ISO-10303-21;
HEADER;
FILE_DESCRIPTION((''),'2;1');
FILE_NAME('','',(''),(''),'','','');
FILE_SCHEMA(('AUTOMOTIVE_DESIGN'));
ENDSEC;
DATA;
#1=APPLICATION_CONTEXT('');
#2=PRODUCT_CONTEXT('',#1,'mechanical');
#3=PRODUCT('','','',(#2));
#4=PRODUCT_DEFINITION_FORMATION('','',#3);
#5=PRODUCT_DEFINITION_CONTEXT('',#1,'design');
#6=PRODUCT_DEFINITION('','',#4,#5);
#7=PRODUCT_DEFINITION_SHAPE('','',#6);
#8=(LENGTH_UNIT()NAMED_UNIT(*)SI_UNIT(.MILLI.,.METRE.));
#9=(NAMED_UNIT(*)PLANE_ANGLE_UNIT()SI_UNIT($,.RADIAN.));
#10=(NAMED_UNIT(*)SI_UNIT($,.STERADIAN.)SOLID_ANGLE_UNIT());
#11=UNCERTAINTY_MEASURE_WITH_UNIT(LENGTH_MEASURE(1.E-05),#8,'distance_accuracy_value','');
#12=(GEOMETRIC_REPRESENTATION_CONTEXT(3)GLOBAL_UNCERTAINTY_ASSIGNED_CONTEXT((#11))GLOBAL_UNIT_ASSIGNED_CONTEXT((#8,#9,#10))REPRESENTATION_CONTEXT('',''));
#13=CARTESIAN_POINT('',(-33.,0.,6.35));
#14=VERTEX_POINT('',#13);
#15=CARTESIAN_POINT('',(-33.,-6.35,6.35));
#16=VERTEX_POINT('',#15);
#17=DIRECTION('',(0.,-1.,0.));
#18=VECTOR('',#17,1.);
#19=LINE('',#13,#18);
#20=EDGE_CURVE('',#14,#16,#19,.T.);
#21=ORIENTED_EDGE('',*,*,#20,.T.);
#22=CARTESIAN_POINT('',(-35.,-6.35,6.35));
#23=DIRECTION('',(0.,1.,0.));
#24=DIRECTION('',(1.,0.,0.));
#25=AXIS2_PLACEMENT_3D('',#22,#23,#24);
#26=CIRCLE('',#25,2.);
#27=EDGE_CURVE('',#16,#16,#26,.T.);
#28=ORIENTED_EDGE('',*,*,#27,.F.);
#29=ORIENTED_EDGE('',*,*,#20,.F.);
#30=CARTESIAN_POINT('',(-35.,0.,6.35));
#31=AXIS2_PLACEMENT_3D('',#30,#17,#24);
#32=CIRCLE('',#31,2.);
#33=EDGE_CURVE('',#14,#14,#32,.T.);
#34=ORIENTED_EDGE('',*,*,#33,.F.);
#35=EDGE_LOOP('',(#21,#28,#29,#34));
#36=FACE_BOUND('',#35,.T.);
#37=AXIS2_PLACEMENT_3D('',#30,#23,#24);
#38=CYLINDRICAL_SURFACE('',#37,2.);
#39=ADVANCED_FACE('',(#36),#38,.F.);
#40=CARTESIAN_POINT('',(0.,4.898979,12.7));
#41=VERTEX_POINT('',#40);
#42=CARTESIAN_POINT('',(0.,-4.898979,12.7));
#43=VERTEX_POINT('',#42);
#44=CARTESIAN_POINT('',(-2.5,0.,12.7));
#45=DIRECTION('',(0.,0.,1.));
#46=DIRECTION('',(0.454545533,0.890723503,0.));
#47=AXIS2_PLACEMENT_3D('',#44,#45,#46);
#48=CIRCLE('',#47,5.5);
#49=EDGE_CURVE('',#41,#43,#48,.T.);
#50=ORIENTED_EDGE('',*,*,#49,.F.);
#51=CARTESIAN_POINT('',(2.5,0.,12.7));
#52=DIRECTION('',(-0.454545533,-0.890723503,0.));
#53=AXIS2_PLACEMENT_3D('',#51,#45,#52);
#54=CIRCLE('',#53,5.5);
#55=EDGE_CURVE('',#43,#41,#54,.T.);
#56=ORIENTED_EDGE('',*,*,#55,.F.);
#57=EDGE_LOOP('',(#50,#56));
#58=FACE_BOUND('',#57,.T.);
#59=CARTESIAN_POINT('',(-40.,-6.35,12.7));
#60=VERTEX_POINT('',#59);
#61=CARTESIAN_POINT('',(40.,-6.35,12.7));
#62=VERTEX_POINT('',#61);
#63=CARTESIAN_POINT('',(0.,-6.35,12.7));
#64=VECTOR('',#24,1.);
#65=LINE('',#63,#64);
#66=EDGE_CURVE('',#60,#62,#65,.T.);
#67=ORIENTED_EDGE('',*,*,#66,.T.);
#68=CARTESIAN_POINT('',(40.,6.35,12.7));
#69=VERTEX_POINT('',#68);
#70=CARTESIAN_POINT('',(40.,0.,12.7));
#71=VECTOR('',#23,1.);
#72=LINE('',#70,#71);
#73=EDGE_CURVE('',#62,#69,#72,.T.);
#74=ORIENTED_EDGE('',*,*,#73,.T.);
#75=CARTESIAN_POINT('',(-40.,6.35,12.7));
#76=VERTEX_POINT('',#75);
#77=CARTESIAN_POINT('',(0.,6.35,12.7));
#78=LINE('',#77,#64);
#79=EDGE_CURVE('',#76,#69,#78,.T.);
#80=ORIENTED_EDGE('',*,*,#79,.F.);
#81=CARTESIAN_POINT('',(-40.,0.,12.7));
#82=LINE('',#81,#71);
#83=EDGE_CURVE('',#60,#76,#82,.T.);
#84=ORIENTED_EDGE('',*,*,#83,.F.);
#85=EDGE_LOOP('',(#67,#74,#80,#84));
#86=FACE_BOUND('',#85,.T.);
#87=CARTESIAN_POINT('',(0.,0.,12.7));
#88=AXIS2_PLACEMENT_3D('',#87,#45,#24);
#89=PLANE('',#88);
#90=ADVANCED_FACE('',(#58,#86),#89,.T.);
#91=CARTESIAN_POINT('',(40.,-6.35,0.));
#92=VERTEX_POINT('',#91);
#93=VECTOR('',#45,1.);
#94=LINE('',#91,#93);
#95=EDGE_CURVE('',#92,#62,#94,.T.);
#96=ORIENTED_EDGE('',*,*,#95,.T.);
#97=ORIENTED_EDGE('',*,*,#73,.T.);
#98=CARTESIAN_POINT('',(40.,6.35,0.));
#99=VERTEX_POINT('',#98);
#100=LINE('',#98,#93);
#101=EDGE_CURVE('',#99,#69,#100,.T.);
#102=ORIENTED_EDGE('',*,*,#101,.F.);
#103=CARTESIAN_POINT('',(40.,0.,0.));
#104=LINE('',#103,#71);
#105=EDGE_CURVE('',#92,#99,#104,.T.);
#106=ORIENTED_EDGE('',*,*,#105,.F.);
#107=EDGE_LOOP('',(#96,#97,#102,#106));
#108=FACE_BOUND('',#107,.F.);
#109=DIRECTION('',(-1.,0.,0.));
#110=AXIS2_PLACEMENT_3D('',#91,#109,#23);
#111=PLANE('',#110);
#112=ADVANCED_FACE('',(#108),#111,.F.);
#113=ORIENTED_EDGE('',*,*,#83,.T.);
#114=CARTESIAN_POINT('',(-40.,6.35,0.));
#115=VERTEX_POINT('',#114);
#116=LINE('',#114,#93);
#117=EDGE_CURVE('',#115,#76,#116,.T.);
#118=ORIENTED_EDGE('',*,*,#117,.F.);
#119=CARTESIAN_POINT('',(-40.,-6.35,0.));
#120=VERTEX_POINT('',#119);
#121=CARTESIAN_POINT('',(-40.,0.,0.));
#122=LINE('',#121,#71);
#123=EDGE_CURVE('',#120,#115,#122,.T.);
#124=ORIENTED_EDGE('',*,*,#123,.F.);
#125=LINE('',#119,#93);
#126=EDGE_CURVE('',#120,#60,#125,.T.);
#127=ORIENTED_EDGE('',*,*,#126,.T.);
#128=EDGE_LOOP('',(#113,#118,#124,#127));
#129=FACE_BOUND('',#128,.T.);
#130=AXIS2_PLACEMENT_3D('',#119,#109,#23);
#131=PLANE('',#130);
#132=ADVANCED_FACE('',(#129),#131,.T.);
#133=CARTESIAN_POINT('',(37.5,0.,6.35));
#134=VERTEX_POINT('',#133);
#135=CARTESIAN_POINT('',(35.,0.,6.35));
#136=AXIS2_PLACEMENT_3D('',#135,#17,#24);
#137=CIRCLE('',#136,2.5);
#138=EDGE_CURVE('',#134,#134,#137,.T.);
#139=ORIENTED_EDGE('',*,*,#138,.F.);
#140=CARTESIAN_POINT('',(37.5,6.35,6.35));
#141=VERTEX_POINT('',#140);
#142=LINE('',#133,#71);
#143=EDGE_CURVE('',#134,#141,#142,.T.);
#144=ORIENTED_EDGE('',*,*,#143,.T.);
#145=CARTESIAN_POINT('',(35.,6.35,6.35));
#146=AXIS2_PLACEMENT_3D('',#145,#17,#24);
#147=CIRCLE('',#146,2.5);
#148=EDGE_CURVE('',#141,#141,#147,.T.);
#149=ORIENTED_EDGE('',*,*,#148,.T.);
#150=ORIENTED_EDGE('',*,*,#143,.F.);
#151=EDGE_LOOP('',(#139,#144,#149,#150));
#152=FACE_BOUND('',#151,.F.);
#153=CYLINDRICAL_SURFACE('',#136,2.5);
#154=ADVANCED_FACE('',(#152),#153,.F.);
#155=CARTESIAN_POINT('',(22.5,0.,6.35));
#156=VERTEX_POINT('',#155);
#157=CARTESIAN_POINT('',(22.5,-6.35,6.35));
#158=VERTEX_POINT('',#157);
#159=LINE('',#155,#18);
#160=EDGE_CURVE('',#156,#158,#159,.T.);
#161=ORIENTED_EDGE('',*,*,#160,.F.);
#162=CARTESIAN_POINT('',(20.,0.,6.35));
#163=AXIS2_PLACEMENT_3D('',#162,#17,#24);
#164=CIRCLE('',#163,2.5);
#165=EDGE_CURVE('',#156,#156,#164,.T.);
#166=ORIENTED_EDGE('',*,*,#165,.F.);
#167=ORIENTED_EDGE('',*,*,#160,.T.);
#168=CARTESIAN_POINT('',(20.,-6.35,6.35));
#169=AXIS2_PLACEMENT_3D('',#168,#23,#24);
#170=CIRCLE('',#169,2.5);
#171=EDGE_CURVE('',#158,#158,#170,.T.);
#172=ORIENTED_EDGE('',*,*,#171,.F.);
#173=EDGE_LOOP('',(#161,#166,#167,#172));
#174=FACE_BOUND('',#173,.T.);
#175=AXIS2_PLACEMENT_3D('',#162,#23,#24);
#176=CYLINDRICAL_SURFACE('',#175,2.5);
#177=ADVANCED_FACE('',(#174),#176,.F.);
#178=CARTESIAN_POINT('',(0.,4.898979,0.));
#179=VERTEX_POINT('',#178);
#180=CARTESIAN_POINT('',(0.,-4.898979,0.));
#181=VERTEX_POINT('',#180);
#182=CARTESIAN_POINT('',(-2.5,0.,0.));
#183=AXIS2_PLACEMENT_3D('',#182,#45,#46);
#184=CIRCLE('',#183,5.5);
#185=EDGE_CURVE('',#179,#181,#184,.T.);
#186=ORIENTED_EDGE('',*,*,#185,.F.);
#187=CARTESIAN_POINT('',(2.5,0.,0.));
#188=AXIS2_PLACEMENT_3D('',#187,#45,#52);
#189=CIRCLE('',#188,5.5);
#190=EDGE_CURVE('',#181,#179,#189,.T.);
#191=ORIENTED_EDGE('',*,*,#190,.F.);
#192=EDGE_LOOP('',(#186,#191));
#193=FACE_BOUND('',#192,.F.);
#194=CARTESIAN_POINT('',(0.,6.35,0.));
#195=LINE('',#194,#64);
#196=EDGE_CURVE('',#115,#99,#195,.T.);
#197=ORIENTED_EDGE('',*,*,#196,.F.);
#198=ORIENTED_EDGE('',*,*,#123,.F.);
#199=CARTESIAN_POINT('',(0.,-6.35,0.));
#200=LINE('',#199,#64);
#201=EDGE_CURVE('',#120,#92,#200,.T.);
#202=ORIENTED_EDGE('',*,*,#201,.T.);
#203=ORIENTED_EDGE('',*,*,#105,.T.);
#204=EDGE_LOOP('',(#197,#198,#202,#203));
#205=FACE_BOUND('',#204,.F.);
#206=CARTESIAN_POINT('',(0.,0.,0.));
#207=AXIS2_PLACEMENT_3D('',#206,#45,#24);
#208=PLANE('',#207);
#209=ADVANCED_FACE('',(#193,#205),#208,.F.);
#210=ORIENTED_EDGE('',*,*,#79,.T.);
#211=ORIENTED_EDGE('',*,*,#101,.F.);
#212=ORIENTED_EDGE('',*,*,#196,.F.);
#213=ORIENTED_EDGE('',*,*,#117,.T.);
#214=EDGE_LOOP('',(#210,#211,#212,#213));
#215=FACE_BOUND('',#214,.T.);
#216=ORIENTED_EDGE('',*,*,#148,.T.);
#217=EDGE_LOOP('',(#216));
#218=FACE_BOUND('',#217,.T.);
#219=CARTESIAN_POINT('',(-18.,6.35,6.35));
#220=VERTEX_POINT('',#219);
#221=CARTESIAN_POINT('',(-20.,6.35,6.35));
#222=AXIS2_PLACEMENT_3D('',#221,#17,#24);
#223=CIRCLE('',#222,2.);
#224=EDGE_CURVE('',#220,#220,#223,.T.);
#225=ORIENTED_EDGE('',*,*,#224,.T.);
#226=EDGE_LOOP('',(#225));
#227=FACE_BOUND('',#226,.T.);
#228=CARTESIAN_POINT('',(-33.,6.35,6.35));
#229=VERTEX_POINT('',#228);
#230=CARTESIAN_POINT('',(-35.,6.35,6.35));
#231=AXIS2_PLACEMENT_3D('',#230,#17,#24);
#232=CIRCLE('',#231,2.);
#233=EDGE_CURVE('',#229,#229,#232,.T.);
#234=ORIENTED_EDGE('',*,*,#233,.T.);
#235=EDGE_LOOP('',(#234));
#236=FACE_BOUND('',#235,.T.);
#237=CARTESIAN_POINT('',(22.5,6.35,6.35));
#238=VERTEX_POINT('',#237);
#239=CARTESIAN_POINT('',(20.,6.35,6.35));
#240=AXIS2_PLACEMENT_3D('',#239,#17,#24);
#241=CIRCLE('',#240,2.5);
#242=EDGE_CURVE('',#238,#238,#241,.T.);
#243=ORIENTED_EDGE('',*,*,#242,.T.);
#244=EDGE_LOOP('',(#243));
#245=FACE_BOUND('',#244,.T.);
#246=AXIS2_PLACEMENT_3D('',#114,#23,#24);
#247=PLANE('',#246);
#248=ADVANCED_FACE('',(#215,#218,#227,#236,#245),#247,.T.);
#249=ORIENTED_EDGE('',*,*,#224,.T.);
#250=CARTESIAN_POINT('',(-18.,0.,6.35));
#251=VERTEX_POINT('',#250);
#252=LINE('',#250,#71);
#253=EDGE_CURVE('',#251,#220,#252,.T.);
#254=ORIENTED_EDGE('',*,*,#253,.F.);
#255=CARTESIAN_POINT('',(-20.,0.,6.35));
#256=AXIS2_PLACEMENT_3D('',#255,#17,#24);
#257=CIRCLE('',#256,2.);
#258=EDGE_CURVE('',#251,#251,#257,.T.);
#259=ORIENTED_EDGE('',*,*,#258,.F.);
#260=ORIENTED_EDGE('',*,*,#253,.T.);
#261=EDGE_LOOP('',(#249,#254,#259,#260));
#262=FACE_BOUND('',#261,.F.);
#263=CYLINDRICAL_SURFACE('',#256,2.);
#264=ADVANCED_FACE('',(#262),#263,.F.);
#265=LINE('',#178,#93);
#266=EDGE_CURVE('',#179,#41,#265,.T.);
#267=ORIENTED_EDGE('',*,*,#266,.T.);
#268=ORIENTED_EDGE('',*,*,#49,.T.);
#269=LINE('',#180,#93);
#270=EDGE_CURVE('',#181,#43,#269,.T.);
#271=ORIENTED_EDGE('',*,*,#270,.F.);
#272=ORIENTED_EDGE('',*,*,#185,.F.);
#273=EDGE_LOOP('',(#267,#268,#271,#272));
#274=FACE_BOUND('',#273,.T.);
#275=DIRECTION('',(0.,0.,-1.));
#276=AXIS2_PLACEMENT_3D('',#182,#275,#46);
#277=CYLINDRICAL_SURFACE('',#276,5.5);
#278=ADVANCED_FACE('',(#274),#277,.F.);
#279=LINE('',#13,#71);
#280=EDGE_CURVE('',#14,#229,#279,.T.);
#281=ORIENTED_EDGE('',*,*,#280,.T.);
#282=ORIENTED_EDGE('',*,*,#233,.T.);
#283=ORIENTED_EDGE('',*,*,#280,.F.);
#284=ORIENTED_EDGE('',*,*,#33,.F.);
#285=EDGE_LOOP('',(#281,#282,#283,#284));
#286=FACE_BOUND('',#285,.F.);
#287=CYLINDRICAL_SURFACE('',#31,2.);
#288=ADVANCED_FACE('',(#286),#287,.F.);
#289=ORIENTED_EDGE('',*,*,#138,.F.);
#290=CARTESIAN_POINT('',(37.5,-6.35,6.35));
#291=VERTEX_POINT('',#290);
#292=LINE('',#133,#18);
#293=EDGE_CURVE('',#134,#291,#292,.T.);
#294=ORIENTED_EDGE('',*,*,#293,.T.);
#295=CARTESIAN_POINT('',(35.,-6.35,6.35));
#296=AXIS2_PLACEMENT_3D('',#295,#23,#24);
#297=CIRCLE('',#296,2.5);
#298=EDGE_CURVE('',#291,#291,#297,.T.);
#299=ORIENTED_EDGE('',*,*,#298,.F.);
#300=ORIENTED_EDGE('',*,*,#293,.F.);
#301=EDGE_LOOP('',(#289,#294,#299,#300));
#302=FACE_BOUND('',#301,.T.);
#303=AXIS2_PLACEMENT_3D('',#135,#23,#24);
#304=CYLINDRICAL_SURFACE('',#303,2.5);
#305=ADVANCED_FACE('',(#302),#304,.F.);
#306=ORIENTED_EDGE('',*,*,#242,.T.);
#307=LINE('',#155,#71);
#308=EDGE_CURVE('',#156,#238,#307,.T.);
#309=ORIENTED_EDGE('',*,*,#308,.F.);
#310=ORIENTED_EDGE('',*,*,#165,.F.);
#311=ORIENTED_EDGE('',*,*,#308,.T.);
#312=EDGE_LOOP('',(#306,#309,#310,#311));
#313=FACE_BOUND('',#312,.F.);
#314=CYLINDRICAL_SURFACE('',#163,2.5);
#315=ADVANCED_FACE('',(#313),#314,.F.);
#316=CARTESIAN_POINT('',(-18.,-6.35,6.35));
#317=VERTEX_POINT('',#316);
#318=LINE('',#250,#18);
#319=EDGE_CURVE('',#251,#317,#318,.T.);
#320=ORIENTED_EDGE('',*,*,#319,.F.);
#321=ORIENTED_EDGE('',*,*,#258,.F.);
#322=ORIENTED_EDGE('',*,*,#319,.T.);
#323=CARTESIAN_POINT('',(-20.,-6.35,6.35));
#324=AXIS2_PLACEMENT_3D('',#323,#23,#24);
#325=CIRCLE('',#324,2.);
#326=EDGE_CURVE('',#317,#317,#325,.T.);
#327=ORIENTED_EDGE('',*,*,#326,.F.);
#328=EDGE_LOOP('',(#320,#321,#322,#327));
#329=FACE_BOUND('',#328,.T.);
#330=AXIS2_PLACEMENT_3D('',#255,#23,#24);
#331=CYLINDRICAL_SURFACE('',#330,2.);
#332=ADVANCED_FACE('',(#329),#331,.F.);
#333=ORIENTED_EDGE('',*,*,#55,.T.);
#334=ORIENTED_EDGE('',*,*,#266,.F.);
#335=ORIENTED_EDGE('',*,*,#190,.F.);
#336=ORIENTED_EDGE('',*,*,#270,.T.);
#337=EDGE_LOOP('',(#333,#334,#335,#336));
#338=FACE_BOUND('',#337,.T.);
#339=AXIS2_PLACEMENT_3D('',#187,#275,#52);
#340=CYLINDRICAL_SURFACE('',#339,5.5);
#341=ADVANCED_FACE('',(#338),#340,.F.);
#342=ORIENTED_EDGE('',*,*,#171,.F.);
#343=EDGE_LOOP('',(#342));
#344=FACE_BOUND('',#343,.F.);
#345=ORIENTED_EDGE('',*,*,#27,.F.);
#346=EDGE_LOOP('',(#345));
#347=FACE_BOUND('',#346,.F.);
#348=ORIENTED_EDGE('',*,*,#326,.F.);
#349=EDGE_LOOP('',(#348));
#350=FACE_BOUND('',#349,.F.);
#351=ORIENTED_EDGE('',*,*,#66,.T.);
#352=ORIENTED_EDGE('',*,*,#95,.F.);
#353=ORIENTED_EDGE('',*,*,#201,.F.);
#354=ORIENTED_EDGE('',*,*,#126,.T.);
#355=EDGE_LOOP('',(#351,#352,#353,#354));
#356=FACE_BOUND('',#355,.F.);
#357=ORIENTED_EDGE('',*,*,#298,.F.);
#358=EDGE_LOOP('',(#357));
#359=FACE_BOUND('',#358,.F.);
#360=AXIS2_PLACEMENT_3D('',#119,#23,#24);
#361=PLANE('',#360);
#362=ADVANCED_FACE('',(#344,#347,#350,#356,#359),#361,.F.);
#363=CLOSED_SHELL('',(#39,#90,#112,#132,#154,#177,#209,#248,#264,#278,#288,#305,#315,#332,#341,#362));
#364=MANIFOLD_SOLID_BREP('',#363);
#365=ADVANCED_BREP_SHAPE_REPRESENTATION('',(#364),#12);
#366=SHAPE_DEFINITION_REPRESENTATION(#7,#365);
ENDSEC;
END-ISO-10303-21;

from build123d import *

# Parameters (mm, degrees)
SKETCH_W          = 80
SKETCH_H          = 12.7
PAD_DEPTH         = 12.7
SKETCH001_R       = 2
SKETCH001_R_2     = 2.5
POCKET_DEPTH      = 6.351
POCKET_DEPTH_BACK = -6.351


with BuildPart() as part:
    # Sketch → Pad (new body)
    with BuildSketch(Plane.XY):
        Rectangle(SKETCH_W, SKETCH_H)
        with BuildLine():
            ThreePointArc((0, -4.898979), (8, 0), (0, 4.898979))
            ThreePointArc((0, 4.898979), (-8, 0), (0, -4.898979))
        make_face(mode=Mode.SUBTRACT)
    extrude(amount=PAD_DEPTH)

    # Sketch001 → Pocket (cut, two sides)
    with BuildSketch(Plane.XZ) as pocket_sk:
        with Locations((-35, 6.35)):
            Circle(SKETCH001_R)
        with Locations((-20, 6.35)):
            Circle(SKETCH001_R)
        with Locations((20, 6.35)):
            Circle(SKETCH001_R_2)
        with Locations((35, 6.35)):
            Circle(SKETCH001_R_2)
    extrude(amount=-POCKET_DEPTH, mode=Mode.SUBTRACT)
    extrude(pocket_sk.sketch, amount=-POCKET_DEPTH_BACK, mode=Mode.SUBTRACT)


solid = part.part
